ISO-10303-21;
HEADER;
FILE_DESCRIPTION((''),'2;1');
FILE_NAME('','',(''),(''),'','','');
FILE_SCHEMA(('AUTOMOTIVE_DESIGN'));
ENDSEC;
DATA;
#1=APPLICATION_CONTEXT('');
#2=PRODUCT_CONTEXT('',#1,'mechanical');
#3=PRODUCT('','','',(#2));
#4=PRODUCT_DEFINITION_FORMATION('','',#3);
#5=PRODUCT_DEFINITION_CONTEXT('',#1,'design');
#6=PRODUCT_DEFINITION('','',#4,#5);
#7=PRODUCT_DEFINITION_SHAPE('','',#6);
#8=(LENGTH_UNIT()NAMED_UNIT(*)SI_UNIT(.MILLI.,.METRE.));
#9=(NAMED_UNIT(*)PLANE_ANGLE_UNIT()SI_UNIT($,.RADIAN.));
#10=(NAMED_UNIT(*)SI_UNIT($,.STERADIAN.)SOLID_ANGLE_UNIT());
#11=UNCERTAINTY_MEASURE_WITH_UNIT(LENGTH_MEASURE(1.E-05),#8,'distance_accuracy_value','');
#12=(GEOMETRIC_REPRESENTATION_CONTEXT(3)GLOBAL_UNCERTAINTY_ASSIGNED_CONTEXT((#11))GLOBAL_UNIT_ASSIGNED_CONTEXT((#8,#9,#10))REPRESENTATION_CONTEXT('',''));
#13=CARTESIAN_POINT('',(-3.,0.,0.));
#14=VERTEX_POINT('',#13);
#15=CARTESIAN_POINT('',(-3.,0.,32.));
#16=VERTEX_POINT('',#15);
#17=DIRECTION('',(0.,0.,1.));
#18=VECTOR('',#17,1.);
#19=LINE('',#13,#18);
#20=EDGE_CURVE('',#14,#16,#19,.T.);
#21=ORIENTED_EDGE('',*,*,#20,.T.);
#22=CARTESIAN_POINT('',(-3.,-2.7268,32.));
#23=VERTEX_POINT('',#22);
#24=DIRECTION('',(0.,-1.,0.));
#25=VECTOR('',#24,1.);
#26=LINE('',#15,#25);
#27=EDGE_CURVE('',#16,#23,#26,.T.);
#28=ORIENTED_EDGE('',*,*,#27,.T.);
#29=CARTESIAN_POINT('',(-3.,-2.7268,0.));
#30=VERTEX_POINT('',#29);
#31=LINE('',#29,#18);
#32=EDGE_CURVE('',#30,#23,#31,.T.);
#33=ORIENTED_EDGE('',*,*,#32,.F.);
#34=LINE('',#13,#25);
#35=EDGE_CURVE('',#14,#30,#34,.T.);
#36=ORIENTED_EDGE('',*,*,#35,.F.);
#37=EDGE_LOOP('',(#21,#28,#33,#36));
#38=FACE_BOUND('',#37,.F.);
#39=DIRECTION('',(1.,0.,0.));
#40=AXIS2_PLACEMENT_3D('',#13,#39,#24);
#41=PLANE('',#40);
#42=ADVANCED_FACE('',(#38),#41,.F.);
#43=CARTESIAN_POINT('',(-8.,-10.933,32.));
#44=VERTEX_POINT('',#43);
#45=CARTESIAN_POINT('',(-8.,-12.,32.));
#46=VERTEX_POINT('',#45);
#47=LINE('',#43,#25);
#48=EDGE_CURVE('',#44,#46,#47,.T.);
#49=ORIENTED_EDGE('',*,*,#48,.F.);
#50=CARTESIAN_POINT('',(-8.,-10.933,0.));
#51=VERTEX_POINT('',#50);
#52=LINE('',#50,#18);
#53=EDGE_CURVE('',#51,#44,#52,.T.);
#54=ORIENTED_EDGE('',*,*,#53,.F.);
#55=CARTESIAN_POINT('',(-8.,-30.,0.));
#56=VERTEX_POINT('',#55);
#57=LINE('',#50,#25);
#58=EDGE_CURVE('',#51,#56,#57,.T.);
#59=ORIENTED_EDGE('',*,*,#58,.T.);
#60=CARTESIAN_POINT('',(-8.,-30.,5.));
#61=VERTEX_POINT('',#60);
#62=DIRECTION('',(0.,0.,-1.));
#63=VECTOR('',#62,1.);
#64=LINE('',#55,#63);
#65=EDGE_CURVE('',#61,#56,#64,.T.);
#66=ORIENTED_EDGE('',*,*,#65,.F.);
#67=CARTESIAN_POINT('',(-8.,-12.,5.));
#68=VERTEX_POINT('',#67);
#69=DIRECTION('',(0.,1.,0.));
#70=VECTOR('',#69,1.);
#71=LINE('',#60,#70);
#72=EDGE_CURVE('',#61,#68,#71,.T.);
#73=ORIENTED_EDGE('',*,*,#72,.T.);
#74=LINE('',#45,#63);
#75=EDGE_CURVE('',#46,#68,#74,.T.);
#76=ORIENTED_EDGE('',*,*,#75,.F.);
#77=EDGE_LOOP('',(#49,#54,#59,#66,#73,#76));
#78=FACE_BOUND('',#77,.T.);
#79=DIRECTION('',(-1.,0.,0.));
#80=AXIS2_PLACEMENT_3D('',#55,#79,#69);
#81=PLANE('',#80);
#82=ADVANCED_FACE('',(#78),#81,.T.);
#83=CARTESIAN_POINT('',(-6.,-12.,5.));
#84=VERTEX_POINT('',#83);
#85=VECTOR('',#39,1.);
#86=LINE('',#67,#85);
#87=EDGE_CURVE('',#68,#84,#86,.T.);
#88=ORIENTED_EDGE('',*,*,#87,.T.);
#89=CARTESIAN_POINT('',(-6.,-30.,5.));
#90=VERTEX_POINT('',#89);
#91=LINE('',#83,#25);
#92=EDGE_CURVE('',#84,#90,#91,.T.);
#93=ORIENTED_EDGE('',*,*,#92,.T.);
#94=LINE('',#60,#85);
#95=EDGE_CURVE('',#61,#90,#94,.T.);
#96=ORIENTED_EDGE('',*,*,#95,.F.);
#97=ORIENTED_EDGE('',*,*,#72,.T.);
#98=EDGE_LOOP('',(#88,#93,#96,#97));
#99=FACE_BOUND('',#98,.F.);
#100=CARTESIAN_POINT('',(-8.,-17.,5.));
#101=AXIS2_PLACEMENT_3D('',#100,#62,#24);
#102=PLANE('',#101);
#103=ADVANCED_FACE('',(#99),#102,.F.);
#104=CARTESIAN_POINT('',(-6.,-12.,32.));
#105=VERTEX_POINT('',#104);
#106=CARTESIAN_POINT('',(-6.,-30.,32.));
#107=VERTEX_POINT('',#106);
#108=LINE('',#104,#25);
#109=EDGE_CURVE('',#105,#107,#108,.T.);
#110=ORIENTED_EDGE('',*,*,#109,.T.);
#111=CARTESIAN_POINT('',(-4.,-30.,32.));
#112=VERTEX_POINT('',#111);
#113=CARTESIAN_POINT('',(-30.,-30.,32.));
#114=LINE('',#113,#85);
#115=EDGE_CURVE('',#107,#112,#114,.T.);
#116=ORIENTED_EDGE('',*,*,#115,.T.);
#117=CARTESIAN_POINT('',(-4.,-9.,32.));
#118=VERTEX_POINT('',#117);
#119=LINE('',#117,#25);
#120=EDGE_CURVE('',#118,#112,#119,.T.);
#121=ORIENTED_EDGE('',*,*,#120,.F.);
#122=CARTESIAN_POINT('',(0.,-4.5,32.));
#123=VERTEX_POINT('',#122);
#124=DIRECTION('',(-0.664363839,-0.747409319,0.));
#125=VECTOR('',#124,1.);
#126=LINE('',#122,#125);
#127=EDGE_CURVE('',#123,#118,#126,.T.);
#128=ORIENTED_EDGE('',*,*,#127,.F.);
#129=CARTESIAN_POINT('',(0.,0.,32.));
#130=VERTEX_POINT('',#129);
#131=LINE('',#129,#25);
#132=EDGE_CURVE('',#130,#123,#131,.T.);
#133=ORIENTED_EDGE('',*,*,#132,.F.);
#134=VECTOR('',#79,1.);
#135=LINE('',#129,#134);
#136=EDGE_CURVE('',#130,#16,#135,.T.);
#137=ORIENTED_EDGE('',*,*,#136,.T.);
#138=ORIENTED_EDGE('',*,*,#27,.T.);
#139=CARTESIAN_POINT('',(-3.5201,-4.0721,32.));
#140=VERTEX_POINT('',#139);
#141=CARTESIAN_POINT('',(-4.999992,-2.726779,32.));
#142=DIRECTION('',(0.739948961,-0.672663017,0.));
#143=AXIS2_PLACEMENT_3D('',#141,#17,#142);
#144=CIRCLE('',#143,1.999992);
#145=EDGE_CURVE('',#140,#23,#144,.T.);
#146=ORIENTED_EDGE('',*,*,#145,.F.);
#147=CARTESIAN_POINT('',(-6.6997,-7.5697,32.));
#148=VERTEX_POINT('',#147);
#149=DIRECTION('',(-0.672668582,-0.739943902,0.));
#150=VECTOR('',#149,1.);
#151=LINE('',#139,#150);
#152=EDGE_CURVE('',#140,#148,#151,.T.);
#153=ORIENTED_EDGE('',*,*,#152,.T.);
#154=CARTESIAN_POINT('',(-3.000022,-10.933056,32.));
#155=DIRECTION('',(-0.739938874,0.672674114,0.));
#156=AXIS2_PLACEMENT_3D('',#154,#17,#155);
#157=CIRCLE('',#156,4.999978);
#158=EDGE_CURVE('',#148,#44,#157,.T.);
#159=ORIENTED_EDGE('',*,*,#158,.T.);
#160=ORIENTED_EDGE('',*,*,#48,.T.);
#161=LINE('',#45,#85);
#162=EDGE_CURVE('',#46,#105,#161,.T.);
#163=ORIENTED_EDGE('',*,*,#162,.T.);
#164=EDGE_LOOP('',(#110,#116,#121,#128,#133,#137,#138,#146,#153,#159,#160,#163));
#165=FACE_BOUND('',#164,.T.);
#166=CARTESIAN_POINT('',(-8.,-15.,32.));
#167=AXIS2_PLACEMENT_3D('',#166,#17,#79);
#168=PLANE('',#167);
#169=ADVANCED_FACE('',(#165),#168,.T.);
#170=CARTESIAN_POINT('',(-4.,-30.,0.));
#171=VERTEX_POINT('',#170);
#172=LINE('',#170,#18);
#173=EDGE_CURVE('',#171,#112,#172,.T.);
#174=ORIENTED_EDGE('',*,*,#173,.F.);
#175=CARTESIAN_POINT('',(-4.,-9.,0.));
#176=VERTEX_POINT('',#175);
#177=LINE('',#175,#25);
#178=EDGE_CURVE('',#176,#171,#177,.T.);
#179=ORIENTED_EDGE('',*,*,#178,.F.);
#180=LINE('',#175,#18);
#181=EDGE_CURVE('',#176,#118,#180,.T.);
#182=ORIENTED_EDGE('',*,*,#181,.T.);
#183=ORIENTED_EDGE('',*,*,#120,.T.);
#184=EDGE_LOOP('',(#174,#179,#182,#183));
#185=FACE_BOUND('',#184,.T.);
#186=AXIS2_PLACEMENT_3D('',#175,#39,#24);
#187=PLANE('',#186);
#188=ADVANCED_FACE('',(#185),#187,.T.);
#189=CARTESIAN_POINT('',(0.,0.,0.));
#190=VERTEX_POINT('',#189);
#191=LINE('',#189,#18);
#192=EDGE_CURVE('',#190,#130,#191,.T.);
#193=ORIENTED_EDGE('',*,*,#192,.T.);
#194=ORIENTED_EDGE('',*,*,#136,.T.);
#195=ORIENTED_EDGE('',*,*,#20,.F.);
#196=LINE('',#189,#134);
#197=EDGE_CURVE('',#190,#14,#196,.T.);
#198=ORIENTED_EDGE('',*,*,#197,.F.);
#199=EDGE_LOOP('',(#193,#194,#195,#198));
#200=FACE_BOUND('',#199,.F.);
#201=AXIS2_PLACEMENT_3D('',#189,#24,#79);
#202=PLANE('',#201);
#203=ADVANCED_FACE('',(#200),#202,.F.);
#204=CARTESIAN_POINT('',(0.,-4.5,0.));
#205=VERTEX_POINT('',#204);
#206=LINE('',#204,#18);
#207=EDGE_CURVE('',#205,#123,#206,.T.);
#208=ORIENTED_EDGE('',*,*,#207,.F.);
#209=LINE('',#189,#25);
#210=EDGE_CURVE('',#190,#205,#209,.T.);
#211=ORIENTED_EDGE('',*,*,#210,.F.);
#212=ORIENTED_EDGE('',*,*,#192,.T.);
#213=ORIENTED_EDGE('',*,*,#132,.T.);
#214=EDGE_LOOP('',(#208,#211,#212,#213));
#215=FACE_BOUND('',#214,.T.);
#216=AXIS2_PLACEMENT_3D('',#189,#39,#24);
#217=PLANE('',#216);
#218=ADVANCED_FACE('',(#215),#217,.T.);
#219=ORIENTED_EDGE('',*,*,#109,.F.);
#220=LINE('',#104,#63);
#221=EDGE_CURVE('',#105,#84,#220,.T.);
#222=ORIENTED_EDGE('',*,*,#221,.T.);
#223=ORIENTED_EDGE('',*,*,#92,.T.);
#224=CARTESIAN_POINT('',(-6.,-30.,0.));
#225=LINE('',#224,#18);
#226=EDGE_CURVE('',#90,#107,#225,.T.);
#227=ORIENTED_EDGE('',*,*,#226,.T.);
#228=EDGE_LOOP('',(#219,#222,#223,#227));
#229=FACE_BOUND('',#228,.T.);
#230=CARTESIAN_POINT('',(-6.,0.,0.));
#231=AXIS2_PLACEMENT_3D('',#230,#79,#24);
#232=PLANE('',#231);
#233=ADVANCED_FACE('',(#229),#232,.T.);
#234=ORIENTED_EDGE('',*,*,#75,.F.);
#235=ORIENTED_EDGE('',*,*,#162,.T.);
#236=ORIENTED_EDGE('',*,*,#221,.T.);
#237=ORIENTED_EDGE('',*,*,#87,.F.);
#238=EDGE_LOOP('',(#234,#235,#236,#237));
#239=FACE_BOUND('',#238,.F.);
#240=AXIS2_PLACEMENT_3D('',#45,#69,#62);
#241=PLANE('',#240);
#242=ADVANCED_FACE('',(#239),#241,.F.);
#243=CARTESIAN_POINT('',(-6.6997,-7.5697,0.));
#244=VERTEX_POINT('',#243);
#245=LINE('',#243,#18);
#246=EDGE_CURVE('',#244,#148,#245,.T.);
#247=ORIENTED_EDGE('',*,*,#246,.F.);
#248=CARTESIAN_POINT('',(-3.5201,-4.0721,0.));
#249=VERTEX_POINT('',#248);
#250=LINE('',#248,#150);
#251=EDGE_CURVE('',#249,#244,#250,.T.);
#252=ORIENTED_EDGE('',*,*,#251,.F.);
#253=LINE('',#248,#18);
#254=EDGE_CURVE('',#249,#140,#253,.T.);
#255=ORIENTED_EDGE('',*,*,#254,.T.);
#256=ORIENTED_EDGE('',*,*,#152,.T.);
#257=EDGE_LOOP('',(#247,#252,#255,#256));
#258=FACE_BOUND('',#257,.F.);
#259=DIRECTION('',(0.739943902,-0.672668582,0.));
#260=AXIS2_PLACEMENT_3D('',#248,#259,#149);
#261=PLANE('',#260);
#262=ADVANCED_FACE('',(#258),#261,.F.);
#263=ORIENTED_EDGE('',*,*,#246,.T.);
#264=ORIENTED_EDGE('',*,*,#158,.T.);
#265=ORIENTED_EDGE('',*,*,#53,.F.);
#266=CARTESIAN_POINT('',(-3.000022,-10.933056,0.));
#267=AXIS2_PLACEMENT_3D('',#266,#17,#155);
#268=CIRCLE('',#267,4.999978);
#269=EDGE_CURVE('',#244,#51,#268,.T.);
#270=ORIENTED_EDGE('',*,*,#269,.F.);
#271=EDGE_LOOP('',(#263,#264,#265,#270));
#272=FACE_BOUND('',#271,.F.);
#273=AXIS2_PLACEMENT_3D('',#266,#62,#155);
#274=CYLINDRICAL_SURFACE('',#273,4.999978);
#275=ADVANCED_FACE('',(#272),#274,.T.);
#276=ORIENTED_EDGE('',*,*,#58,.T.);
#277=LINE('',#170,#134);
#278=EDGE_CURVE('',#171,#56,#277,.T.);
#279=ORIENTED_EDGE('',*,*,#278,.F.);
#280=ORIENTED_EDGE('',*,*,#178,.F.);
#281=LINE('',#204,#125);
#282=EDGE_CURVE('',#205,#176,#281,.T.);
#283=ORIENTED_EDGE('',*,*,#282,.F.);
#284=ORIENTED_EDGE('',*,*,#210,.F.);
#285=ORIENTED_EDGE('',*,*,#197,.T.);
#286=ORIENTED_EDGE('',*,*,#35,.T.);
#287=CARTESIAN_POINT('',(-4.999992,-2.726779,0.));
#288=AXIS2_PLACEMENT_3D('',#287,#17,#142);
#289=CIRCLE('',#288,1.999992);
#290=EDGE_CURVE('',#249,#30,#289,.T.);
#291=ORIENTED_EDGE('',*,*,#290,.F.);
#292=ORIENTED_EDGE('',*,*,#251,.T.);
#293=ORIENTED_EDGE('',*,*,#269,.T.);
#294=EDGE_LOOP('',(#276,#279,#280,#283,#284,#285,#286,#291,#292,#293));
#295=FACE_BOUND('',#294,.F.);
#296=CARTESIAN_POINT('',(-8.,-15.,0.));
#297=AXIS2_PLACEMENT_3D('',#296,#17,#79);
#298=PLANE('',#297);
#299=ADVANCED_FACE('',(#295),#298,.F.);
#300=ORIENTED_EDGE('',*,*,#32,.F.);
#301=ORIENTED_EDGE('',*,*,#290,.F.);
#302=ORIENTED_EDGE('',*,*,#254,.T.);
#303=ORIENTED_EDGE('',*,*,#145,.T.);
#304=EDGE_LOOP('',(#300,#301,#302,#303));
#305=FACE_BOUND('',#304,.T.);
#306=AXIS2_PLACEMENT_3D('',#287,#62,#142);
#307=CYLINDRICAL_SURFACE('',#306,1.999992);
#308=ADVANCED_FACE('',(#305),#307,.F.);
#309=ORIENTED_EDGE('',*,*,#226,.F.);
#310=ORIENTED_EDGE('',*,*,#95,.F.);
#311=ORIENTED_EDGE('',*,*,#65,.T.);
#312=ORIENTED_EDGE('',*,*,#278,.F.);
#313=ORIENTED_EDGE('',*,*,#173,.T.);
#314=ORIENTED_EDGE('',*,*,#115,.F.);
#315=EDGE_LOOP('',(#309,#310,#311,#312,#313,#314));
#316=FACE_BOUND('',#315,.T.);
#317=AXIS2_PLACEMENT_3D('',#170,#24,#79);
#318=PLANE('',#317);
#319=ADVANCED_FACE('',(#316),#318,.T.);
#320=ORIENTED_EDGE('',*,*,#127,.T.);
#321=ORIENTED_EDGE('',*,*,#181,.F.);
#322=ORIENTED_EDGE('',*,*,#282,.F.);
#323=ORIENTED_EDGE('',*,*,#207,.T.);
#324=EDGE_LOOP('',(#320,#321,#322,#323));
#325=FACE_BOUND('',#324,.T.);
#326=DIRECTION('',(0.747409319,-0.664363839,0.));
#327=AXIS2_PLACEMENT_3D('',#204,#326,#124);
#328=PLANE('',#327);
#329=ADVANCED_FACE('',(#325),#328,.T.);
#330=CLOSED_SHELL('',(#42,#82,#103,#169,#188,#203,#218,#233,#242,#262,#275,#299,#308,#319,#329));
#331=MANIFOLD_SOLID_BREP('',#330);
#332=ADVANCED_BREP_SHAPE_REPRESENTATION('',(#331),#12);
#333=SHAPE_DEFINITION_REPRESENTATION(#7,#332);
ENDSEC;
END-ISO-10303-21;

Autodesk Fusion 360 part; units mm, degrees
sketch "Sketch1" plane through (0, 0, 0) normal (0, 0, 1) x (1, 0, 0)
  line L0 (0, 0) -> (0, -4.5)
  line L1 (-16, -9) -> (18, -9) construction
  line L2 (0, -4.5) -> (-4, -9)
  line L3 (-4, -9) -> (-4, -30)
  line L4 (0, 0) -> (-3, 0)
  line L5 (-3, 0) -> (-3, -2.7268)
  line L6 (-4, -30) -> (-8, -30)
  line L7 (-8, -30) -> (-8, -10.933)
  line L8 (-3.5201, -4.0721) -> (-6.6997, -7.5697)
  arc A0 (-3.5201, -4.0721) -> (-3, -2.7268) centre (-5, -2.7268) ccw
  arc A1 (-6.6997, -7.5697) -> (-8, -10.933) centre (-3, -10.933) ccw
  point P0 (-3, -3.5)
  dimension "d1" = 4.5
  dimension "d2" = 4.5
  dimension "d3" = 21
  dimension "d4" = 3
  dimension "d5" = 3.5
  dimension "d6" = 4
  dimension "d7" = 2
  dimension "d8" = 5
extrude "Extrude1" add sketch "Sketch1" along normal blind 32
sketch "Sketch2" plane through (-8, 0, 0) normal (-1, 0, 0) x (0, -1, 0)
  line L0 (10.933, 0) -> (30, 0)
  line L1 (30, 0) -> (30, 32)
  line L2 (30, 32) -> (10.933, 32)
  line L3 (10.933, 32) -> (10.933, 0)
  line L4 (30, 0) -> (15, 0)
  line L5 (15, 0) -> (15, 32)
  line L6 (15, 32) -> (30, 32)
  line L7 (30, 32) -> (30, 0)
  dimension "d11" = 15
extrude "Extrude2" add sketch "Sketch2" along normal blind 22 contours L0 L1 L2 L4 L5 L6 L7
extrude "Extrude3" cut 1 faces at (-30, -20, 21.3333) along direction (1, 0, 0) blind 2
extrude "Extrude4" add 1 faces at (-21.3333, -15, 10.6667) along direction (0, 1, 0) blind 4
extrude "Extrude5" cut 1 faces at (-21.3333, -11, 10.6667) along direction (0, -1, 0) blind 50
sketch "Sketch4" plane through (-8, 0, 0) normal (-1, 0, 0) x (0, -1, 0)
  line L0 (30, 0) -> (30, 32)
  line L1 (30, 32) -> (11, 32)
  line L2 (11, 32) -> (11, 0)
  line L3 (11, 0) -> (30, 0)
  line L4 (30, 32) -> (17, 32)
  line L5 (17, 32) -> (17, 5)
  line L6 (17, 5) -> (30, 5)
  line L7 (30, 5) -> (30, 32)
  dimension "d23" = 27
extrude "Extrude6" cut sketch "Sketch4" against normal blind 2 contours L0 L1 L4 L5 L6 L7
extrude "Extrude7" cut 1 faces at (-7.3333, -17, 23) along direction (0, 1, 0) blind 5
